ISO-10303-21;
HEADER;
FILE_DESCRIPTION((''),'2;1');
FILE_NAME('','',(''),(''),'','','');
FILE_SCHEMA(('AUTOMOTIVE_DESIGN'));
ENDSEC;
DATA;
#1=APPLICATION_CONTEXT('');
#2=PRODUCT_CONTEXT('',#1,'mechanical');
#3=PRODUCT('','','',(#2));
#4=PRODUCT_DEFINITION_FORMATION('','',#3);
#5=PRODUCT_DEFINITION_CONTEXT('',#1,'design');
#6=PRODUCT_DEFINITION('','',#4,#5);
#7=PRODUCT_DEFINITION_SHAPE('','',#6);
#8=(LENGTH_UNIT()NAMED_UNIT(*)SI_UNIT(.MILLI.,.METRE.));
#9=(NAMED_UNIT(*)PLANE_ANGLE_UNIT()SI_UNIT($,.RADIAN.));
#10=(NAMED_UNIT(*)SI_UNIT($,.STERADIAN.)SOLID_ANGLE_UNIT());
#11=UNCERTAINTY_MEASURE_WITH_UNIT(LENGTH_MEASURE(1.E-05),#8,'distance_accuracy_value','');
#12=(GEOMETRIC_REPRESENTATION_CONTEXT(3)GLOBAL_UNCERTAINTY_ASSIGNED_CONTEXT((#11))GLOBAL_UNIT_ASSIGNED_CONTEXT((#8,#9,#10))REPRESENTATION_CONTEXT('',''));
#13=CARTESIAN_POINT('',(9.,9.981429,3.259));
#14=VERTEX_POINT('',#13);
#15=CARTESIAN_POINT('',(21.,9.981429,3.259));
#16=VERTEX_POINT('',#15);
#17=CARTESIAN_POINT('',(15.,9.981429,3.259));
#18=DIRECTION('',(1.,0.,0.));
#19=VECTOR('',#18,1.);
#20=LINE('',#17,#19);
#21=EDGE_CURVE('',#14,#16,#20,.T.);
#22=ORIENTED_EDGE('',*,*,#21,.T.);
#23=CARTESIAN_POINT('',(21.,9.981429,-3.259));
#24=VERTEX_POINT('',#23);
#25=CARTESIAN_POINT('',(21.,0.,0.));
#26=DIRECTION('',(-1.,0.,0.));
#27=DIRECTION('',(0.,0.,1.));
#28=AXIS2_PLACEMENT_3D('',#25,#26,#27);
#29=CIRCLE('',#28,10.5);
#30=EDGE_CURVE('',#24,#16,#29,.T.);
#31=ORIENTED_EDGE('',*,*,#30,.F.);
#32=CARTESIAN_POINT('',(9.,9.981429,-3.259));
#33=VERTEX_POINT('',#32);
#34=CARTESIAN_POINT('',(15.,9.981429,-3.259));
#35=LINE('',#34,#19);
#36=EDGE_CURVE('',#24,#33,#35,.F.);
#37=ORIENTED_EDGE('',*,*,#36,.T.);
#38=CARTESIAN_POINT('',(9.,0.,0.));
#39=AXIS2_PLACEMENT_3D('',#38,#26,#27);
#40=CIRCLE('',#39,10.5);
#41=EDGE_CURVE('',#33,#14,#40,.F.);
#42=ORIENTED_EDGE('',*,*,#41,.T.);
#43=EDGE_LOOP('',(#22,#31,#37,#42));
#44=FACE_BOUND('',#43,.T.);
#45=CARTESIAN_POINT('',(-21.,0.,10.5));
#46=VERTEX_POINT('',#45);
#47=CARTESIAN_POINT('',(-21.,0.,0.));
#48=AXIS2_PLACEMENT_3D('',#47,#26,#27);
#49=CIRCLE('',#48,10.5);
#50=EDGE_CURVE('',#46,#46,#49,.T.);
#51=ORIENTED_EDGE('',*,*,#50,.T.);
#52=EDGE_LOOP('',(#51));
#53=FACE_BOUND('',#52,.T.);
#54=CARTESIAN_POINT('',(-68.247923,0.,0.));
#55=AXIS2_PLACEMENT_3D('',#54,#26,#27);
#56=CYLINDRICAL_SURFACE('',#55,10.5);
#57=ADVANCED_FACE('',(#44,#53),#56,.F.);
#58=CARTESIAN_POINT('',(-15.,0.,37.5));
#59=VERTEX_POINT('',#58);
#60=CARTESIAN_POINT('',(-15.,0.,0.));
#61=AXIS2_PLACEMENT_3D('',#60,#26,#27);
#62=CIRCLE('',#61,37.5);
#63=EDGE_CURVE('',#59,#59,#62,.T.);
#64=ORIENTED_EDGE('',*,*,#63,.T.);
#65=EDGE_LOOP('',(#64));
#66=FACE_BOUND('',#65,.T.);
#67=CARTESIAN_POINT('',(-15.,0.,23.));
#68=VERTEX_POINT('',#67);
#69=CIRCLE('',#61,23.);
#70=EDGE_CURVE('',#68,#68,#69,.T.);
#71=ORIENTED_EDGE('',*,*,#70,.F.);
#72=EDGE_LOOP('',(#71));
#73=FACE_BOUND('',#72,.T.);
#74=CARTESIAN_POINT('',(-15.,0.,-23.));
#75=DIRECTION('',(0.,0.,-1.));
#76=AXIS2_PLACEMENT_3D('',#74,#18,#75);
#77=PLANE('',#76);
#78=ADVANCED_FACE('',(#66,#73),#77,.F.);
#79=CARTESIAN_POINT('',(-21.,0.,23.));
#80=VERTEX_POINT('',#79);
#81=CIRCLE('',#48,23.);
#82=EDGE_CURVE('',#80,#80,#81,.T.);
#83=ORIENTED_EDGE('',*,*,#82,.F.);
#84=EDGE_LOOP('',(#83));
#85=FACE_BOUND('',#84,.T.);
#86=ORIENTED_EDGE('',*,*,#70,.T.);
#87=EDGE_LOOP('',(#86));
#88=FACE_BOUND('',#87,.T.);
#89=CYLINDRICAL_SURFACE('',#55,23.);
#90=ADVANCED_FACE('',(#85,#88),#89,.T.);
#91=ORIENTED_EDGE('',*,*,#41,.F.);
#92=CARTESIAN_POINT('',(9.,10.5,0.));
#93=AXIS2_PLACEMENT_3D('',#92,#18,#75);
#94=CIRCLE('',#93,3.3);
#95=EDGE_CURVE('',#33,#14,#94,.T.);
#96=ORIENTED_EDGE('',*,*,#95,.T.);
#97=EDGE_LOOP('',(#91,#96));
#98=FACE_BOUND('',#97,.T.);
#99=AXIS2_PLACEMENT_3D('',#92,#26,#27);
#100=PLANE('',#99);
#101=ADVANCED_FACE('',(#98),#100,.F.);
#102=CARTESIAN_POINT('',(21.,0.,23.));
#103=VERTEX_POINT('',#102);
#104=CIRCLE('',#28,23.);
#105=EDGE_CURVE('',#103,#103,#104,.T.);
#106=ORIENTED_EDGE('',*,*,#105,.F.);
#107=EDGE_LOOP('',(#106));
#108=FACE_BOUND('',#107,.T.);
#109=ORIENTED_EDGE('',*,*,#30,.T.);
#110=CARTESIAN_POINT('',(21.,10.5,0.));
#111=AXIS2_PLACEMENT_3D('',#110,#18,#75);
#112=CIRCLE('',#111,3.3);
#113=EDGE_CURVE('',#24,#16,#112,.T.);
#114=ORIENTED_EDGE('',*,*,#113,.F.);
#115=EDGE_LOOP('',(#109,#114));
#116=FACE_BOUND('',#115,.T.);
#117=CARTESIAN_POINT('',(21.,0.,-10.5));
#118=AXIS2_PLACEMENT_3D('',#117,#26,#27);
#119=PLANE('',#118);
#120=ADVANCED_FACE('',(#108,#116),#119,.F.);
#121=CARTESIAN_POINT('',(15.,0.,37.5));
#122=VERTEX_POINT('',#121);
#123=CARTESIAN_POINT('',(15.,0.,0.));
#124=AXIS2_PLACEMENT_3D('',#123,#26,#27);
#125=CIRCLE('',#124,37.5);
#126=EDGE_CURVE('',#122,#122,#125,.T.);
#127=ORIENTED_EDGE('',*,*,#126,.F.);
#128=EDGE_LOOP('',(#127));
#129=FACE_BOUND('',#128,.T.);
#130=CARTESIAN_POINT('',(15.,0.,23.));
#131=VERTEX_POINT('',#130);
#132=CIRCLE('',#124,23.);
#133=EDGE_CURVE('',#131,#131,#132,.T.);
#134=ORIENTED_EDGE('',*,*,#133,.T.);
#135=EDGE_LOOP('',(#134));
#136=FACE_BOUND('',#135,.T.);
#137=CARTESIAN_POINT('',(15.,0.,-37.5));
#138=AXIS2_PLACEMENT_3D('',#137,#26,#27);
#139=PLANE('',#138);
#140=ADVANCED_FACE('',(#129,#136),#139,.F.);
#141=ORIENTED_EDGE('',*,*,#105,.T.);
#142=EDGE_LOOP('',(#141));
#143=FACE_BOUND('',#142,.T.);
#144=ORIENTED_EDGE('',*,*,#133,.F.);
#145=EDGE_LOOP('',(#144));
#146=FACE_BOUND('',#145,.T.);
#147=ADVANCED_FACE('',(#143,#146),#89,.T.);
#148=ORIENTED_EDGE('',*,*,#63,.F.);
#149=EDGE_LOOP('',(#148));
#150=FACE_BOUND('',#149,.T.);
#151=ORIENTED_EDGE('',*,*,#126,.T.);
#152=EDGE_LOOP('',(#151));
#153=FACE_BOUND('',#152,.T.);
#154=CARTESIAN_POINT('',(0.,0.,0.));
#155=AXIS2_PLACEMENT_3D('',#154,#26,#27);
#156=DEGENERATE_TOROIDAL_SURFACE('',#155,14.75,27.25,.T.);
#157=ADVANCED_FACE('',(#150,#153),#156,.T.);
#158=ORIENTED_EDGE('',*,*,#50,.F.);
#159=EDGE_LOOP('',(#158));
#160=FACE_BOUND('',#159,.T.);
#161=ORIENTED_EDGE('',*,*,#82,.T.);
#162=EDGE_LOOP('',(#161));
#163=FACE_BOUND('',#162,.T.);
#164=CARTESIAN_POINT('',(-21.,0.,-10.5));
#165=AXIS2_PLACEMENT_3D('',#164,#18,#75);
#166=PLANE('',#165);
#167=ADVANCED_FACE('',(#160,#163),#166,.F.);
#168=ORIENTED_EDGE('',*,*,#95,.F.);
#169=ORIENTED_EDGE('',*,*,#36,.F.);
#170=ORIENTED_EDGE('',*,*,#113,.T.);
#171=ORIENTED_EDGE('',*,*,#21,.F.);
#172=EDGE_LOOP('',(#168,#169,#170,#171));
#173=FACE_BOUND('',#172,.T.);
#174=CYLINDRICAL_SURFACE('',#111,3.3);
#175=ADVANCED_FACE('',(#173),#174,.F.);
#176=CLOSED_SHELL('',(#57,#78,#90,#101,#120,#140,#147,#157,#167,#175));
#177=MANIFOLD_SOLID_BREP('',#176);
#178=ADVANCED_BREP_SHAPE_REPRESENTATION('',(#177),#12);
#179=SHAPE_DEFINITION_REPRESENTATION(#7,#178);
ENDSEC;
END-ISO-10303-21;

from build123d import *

# Parameters (mm, degrees)
M6_CLEARANCE_HOLE1_D     = 6.6
M6_CLEARANCE_HOLE1_DEPTH = 12


with BuildPart() as part:
    # Sketch1 → Revolve1 (revolve)
    with BuildSketch(Plane(origin=(0, 0, 0), x_dir=(1, 0, 0), z_dir=(0, 1, 0))):
        with BuildLine():
            Line((-21, 10.5), (21, 10.5))
            Line((21, 10.5), (21, 23))
            Line((21, 23), (15, 23))
            Line((15, 23), (15, 37.5))
            ThreePointArc((15, 37.5), (0, 42), (-15, 37.5))
            Line((-15, 37.5), (-15, 23))
            Line((-15, 23), (-21, 23))
            Line((-21, 23), (-21, 10.5))
        make_face()
    revolve(axis=Axis((-68.247922762, 0, 0), (1, 0, 0)))

    # M6 Clearance Hole1
    with Locations(Plane(origin=(21, 10.5, 0), x_dir=(0, 0, 1), z_dir=(1, 0, 0))):
        with Locations((0, 0)):
            Hole(M6_CLEARANCE_HOLE1_D / 2, depth=M6_CLEARANCE_HOLE1_DEPTH)


solid = part.part
